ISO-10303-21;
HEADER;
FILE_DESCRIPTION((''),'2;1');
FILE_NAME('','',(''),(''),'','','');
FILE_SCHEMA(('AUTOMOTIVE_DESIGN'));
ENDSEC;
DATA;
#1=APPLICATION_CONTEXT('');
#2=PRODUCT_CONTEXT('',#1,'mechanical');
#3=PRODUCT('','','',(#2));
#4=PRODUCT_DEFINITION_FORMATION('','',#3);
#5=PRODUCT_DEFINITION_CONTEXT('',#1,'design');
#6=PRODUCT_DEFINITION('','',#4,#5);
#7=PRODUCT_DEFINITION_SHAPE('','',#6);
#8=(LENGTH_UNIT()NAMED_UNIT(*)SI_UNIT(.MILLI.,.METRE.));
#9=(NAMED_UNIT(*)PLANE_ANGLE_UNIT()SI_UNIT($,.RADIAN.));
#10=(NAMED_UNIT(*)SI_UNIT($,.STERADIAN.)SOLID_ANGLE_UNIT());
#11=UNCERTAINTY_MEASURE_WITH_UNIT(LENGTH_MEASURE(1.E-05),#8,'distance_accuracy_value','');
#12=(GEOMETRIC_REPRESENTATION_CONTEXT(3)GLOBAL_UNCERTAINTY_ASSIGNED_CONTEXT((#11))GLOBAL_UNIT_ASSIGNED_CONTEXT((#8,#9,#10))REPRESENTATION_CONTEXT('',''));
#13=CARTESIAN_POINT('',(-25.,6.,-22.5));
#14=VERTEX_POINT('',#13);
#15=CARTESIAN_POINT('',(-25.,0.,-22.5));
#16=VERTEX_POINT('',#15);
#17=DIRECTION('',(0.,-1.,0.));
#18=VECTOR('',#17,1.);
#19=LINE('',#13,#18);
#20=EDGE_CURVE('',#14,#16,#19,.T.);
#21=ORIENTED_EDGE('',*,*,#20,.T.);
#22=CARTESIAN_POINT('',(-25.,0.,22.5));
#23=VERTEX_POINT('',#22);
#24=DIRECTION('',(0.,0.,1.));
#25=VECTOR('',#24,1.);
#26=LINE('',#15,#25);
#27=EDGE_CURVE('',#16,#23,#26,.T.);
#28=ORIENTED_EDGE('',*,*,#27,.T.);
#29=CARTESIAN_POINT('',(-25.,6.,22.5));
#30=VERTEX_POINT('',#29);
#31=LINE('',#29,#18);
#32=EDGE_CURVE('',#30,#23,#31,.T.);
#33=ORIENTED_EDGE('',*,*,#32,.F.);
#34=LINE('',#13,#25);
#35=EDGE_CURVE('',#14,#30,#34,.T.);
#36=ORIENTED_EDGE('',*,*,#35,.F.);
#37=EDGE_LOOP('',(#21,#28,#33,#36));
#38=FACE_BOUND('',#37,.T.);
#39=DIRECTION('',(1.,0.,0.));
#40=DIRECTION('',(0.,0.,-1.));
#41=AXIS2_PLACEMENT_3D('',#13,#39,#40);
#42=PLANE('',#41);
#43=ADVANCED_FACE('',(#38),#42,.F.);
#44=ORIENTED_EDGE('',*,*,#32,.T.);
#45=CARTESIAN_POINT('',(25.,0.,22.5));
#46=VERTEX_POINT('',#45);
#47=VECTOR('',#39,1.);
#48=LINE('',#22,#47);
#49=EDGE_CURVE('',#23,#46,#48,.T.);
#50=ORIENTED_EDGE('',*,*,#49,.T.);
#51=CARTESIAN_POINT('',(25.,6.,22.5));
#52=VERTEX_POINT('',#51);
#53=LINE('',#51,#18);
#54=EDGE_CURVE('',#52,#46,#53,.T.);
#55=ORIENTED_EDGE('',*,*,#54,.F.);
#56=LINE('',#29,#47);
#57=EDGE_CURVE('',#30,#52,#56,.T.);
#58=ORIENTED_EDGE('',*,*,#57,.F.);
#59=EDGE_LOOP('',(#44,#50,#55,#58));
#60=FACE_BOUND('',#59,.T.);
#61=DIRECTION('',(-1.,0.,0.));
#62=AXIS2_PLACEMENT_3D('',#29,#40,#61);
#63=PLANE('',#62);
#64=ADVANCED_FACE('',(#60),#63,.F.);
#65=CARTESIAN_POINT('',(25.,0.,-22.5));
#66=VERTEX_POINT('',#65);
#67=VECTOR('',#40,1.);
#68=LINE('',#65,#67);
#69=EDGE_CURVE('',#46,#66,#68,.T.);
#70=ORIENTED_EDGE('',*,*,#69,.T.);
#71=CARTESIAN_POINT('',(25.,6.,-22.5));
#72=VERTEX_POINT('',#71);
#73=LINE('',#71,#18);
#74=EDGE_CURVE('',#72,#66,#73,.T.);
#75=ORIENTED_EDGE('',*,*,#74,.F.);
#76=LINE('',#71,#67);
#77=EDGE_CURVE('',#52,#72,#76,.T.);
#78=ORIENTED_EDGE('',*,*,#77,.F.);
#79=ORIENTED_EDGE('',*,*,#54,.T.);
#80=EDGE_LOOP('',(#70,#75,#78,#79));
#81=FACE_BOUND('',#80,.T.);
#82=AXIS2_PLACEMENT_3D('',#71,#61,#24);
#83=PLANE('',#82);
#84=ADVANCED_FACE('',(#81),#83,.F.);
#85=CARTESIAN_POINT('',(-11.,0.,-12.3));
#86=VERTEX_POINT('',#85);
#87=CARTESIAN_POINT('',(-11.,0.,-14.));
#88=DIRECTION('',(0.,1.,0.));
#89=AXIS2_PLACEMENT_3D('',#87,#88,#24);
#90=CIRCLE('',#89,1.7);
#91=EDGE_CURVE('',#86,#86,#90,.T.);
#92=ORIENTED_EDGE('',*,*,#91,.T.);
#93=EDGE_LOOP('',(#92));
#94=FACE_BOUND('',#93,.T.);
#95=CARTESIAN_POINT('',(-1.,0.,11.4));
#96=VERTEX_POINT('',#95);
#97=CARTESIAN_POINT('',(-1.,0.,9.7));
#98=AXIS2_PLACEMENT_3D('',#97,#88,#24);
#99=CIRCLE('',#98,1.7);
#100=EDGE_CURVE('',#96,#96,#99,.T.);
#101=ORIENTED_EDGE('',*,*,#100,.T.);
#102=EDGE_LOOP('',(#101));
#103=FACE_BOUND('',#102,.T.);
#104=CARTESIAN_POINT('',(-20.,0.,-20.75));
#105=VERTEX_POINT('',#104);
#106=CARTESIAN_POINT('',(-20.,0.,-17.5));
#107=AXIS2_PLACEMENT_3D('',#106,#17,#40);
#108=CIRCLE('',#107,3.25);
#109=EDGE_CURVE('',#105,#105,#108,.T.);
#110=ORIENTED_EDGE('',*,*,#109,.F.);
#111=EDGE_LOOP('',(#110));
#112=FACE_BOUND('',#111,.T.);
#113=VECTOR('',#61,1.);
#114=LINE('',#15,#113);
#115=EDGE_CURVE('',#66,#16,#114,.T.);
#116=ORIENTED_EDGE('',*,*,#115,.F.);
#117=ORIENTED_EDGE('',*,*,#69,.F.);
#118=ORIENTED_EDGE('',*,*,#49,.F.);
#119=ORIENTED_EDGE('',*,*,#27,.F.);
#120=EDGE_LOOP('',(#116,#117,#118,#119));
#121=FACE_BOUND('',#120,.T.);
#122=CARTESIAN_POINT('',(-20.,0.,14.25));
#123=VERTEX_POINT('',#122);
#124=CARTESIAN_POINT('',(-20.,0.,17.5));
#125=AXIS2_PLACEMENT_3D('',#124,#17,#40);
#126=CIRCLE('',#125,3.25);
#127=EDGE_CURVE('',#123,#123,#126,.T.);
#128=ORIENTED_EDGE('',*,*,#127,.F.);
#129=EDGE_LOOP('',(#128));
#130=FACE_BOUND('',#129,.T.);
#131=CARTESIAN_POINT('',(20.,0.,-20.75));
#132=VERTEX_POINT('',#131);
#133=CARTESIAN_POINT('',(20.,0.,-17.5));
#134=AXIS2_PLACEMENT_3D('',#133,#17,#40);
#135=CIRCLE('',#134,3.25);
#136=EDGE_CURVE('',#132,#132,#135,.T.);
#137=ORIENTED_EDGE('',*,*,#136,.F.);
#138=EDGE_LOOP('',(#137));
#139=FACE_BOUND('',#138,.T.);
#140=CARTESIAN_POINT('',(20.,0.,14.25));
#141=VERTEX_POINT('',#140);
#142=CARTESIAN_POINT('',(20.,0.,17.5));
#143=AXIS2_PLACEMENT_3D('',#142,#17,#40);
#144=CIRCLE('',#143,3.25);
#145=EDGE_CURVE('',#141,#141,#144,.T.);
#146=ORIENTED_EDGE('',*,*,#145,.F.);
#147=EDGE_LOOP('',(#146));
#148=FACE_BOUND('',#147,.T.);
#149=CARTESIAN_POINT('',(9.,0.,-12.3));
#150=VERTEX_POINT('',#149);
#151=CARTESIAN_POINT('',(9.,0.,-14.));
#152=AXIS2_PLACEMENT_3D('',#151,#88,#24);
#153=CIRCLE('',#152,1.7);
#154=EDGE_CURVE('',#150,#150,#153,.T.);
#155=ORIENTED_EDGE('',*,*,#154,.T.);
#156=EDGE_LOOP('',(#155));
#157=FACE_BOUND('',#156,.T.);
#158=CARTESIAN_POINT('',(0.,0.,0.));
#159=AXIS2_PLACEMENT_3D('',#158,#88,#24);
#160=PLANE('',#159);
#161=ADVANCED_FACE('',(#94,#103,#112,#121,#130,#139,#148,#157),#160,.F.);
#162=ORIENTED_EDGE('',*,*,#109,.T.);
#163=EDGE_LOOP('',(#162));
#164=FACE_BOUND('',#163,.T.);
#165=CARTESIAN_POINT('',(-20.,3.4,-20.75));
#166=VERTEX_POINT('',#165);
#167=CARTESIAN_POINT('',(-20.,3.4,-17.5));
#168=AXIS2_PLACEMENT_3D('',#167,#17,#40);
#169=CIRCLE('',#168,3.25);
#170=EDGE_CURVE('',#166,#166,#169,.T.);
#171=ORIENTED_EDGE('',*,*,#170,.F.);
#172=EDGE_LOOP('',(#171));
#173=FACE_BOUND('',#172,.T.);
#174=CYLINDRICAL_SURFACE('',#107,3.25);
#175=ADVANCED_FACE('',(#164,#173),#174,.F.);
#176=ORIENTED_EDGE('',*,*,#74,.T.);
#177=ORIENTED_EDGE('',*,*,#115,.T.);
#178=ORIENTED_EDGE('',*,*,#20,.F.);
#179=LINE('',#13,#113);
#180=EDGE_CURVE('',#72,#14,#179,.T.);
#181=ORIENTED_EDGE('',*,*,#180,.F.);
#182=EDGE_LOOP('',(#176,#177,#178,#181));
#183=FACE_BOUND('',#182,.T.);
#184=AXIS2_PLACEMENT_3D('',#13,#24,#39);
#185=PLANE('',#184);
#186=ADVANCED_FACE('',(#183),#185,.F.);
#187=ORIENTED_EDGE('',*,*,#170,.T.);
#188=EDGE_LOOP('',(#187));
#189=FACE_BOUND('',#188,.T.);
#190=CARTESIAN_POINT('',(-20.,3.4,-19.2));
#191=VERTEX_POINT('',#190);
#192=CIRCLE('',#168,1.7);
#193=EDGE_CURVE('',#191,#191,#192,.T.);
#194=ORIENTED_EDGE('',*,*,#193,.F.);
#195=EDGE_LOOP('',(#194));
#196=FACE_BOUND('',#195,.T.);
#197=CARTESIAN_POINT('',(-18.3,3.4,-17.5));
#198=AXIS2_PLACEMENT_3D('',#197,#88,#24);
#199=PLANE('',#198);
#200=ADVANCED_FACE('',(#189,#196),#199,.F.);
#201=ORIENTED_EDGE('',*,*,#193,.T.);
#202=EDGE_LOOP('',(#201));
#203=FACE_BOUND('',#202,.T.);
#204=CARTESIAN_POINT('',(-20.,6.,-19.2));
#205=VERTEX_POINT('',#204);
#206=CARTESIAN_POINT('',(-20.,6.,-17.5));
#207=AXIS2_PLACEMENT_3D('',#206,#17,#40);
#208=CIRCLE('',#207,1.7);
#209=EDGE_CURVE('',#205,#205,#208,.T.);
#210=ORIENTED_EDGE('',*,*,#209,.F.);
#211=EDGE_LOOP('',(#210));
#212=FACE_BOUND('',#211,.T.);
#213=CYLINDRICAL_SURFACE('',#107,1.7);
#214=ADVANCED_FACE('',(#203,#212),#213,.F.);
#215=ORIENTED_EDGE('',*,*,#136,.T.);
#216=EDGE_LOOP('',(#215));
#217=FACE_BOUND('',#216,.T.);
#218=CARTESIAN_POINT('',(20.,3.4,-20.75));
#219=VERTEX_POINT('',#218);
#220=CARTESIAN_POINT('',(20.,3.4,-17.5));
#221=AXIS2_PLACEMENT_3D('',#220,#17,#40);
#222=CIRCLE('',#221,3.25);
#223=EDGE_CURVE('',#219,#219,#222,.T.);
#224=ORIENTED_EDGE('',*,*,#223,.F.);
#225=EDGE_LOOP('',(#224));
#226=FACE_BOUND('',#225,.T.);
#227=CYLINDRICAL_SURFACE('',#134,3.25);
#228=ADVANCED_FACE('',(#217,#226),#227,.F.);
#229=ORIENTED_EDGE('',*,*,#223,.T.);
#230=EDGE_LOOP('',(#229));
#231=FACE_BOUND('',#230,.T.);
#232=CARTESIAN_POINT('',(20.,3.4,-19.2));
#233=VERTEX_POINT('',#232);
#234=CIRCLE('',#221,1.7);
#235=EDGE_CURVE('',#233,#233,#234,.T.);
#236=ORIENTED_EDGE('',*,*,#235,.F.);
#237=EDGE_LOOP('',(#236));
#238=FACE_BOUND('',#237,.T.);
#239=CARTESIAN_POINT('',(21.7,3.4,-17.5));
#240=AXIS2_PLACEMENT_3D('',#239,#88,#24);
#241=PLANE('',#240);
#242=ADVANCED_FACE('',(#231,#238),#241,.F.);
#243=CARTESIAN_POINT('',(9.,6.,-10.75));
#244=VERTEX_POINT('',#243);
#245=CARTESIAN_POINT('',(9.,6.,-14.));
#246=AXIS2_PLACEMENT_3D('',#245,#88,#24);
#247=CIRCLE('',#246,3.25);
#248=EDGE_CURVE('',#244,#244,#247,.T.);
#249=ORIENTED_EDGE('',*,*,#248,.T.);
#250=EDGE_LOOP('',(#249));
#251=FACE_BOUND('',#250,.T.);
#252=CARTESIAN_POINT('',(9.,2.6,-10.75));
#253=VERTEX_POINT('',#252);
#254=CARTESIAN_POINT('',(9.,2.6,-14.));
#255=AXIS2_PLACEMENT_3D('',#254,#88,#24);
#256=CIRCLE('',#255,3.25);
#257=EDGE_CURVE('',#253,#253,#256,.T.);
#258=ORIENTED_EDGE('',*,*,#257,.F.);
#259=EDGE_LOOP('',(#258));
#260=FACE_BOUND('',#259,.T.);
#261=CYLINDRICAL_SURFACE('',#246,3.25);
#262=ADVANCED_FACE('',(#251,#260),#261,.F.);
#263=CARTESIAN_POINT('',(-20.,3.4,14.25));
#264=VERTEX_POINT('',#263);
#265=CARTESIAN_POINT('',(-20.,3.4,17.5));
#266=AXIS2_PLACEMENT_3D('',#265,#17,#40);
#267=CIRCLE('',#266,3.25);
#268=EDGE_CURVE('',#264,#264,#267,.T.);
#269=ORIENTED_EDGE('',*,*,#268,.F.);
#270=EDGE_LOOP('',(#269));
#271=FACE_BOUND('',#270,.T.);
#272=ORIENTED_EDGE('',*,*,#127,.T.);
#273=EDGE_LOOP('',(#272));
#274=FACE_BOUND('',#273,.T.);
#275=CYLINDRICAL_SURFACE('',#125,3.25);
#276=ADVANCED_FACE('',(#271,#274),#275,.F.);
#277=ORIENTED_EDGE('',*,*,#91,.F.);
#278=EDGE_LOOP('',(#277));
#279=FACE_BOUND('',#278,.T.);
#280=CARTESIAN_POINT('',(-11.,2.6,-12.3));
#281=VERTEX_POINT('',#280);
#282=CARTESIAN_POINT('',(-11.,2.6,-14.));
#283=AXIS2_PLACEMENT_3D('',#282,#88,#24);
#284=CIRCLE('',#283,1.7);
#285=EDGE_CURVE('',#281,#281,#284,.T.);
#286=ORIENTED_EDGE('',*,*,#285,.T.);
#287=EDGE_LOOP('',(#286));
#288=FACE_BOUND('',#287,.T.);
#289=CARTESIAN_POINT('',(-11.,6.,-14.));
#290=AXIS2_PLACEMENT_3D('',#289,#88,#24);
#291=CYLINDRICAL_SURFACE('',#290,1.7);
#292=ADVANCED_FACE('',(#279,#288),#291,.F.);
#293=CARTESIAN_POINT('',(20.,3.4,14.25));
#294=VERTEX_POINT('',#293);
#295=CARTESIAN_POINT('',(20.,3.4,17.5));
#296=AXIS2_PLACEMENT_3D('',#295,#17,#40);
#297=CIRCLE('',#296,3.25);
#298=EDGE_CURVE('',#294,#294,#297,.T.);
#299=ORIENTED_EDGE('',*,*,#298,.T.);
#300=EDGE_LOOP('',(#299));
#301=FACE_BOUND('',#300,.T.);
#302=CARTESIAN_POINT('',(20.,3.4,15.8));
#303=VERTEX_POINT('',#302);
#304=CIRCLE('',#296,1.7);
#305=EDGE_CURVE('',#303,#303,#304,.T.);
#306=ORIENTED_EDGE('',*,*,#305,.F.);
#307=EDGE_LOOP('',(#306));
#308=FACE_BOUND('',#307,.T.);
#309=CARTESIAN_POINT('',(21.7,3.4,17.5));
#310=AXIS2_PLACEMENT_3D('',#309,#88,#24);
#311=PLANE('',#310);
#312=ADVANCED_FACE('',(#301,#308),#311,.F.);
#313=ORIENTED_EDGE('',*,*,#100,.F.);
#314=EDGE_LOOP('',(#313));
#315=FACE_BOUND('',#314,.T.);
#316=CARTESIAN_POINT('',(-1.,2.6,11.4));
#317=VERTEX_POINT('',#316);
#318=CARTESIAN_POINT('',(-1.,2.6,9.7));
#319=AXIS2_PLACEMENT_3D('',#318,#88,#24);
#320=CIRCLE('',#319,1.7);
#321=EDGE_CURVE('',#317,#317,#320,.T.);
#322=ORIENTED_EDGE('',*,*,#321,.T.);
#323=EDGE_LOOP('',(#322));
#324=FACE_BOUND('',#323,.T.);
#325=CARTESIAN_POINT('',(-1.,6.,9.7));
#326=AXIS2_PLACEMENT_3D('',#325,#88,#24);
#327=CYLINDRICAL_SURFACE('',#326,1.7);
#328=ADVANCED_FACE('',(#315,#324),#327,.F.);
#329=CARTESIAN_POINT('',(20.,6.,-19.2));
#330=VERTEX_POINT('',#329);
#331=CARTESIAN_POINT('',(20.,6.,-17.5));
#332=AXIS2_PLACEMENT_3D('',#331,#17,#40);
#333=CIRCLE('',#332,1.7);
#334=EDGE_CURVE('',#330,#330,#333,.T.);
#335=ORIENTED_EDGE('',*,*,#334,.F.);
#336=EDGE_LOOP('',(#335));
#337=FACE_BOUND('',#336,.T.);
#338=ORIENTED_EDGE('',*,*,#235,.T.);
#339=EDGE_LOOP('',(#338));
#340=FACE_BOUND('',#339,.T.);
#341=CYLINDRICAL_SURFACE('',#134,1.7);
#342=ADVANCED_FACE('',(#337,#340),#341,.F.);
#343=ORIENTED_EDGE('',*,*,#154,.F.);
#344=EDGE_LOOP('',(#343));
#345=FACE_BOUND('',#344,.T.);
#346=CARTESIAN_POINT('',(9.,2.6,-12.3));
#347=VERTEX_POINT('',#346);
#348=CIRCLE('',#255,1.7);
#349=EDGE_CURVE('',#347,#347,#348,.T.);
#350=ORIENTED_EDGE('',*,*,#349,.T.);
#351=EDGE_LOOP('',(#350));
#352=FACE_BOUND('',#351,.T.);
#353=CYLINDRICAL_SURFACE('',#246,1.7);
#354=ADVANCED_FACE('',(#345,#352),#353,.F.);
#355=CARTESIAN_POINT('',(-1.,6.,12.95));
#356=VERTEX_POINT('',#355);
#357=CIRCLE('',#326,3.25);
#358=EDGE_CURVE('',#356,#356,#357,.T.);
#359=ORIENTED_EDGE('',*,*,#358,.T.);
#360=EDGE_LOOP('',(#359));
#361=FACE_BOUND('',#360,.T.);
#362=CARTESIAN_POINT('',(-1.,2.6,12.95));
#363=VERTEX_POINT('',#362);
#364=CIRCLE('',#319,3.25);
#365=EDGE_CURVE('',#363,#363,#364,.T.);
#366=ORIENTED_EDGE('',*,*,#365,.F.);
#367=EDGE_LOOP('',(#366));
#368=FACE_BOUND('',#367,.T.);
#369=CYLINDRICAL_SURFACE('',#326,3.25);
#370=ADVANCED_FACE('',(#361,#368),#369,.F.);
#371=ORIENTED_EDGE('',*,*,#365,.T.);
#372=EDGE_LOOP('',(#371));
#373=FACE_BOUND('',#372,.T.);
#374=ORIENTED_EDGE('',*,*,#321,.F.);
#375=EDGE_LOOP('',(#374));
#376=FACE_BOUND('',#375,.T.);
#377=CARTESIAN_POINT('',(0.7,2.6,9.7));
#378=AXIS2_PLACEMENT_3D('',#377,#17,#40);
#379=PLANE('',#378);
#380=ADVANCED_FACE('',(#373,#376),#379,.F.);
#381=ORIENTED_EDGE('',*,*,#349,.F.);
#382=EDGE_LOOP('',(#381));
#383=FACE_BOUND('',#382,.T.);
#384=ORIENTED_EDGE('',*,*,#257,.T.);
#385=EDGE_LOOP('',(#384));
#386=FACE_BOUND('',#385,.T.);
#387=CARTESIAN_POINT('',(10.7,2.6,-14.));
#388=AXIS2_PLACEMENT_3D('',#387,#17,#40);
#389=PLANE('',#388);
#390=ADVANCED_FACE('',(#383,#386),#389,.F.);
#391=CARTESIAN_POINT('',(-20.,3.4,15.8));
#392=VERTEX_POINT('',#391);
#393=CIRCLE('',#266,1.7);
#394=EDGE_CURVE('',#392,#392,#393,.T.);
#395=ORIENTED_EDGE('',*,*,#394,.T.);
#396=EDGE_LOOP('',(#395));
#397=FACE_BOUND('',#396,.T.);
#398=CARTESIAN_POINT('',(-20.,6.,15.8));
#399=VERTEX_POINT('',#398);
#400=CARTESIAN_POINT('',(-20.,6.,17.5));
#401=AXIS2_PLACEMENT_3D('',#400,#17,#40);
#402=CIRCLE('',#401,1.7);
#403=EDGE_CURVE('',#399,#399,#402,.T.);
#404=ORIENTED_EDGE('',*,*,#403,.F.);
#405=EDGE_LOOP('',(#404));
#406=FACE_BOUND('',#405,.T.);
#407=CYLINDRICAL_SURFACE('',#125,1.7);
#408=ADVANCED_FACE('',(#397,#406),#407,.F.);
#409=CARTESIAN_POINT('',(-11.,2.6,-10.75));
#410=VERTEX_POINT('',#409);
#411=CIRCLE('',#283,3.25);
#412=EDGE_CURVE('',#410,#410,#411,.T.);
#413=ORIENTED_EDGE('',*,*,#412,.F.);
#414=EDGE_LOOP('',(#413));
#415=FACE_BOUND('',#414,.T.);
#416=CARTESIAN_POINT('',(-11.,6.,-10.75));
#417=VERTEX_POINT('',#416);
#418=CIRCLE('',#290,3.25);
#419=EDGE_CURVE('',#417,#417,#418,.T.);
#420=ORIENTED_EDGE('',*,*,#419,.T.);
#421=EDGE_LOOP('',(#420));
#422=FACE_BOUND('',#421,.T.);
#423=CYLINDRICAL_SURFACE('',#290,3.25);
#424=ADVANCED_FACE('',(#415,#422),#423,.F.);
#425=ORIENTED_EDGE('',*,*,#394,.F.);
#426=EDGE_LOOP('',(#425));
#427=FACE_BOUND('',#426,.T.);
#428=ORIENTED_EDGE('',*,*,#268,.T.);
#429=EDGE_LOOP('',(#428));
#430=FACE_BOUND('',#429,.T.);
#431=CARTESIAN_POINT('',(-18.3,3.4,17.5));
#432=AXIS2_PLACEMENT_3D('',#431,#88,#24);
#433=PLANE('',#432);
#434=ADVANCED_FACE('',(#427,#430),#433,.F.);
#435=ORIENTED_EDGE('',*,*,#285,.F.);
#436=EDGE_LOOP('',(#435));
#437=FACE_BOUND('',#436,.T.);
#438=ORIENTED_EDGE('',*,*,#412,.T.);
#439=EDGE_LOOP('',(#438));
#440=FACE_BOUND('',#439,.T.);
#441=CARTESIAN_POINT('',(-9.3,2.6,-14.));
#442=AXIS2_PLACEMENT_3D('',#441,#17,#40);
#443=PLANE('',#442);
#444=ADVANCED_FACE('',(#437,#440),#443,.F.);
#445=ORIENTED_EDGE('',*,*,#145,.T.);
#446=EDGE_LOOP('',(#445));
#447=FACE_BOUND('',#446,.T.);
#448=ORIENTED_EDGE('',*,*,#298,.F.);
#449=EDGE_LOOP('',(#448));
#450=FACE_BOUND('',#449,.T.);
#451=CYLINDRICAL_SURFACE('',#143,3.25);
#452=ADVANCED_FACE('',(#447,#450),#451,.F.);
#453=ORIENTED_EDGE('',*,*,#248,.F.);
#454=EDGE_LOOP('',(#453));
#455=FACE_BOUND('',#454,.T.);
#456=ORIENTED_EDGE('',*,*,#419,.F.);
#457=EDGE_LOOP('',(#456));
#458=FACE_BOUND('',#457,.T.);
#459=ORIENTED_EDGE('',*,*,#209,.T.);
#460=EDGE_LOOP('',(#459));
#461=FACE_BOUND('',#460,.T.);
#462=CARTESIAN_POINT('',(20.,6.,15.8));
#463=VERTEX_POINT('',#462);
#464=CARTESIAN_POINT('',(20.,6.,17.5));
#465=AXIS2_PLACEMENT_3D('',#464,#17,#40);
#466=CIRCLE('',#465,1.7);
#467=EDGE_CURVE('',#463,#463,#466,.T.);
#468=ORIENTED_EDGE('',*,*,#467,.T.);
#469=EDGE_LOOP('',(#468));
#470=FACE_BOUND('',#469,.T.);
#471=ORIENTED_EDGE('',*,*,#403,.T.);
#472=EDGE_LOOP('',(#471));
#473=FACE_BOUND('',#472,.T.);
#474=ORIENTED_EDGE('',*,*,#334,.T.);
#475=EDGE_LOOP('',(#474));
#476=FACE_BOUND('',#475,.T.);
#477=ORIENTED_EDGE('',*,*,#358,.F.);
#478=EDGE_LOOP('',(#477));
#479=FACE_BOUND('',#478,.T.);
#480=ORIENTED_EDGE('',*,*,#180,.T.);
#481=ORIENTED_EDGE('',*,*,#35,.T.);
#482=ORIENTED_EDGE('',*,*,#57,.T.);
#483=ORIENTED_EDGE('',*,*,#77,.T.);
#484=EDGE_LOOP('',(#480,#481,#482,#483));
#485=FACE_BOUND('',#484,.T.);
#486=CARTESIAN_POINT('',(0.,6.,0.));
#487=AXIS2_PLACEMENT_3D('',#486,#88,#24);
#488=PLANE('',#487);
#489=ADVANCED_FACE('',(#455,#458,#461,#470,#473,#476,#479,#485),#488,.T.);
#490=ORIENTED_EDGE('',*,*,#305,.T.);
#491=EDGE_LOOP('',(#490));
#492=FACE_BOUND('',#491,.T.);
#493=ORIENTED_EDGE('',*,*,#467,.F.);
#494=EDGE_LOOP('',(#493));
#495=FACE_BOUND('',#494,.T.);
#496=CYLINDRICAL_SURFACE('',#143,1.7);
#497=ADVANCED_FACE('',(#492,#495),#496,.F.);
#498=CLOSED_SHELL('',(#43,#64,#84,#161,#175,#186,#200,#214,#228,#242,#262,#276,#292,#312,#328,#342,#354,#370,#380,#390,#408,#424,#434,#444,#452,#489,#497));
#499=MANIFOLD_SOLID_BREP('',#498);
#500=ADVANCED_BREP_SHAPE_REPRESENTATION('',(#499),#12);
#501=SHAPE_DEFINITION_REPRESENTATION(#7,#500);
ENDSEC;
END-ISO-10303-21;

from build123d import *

# Parameters (mm, degrees)
SKETCH_1_W                   = 50
SKETCH_1_H                   = 45
EXTRUDE_1_DEPTH              = 6
HOLE_WIZARD_M3_1_D           = 3.4
HOLE_WIZARD_M3_1_CBORE_D     = 6.5
HOLE_WIZARD_M3_1_CBORE_DEPTH = 3.4
HOLE_WIZARD_M3_2_D           = 3.4
HOLE_WIZARD_M3_2_CBORE_D     = 6.5
HOLE_WIZARD_M3_2_CBORE_DEPTH = 3.4


with BuildPart() as part:
    # 草图1 → 凸台-拉伸1 (new body)
    with BuildSketch(Plane(origin=(0, 0, 0), x_dir=(1, 0, 0), z_dir=(0, 1, 0))):
        Rectangle(SKETCH_1_W, SKETCH_1_H)
    extrude(amount=EXTRUDE_1_DEPTH)

    # M3 六角凹头螺钉的柱形沉头孔1 (through all)
    with Locations(Plane(origin=(-20, 0, 17.5), x_dir=(0, 0, -1), z_dir=(0, -1, 0))):
        with Locations((0, 0), (0, 40), (35, 40), (35, 0)):
            CounterBoreHole(HOLE_WIZARD_M3_1_D / 2, HOLE_WIZARD_M3_1_CBORE_D / 2, HOLE_WIZARD_M3_1_CBORE_DEPTH)

    # M3 六角凹头螺钉的柱形沉头孔2 (through all)
    with Locations(Plane(origin=(-11, 6, -14), x_dir=(0, 0, 1), z_dir=(0, 1, 0))):
        with Locations((0, 0), (0, 20), (23.7, 10)):
            CounterBoreHole(HOLE_WIZARD_M3_2_D / 2, HOLE_WIZARD_M3_2_CBORE_D / 2, HOLE_WIZARD_M3_2_CBORE_DEPTH)


solid = part.part
